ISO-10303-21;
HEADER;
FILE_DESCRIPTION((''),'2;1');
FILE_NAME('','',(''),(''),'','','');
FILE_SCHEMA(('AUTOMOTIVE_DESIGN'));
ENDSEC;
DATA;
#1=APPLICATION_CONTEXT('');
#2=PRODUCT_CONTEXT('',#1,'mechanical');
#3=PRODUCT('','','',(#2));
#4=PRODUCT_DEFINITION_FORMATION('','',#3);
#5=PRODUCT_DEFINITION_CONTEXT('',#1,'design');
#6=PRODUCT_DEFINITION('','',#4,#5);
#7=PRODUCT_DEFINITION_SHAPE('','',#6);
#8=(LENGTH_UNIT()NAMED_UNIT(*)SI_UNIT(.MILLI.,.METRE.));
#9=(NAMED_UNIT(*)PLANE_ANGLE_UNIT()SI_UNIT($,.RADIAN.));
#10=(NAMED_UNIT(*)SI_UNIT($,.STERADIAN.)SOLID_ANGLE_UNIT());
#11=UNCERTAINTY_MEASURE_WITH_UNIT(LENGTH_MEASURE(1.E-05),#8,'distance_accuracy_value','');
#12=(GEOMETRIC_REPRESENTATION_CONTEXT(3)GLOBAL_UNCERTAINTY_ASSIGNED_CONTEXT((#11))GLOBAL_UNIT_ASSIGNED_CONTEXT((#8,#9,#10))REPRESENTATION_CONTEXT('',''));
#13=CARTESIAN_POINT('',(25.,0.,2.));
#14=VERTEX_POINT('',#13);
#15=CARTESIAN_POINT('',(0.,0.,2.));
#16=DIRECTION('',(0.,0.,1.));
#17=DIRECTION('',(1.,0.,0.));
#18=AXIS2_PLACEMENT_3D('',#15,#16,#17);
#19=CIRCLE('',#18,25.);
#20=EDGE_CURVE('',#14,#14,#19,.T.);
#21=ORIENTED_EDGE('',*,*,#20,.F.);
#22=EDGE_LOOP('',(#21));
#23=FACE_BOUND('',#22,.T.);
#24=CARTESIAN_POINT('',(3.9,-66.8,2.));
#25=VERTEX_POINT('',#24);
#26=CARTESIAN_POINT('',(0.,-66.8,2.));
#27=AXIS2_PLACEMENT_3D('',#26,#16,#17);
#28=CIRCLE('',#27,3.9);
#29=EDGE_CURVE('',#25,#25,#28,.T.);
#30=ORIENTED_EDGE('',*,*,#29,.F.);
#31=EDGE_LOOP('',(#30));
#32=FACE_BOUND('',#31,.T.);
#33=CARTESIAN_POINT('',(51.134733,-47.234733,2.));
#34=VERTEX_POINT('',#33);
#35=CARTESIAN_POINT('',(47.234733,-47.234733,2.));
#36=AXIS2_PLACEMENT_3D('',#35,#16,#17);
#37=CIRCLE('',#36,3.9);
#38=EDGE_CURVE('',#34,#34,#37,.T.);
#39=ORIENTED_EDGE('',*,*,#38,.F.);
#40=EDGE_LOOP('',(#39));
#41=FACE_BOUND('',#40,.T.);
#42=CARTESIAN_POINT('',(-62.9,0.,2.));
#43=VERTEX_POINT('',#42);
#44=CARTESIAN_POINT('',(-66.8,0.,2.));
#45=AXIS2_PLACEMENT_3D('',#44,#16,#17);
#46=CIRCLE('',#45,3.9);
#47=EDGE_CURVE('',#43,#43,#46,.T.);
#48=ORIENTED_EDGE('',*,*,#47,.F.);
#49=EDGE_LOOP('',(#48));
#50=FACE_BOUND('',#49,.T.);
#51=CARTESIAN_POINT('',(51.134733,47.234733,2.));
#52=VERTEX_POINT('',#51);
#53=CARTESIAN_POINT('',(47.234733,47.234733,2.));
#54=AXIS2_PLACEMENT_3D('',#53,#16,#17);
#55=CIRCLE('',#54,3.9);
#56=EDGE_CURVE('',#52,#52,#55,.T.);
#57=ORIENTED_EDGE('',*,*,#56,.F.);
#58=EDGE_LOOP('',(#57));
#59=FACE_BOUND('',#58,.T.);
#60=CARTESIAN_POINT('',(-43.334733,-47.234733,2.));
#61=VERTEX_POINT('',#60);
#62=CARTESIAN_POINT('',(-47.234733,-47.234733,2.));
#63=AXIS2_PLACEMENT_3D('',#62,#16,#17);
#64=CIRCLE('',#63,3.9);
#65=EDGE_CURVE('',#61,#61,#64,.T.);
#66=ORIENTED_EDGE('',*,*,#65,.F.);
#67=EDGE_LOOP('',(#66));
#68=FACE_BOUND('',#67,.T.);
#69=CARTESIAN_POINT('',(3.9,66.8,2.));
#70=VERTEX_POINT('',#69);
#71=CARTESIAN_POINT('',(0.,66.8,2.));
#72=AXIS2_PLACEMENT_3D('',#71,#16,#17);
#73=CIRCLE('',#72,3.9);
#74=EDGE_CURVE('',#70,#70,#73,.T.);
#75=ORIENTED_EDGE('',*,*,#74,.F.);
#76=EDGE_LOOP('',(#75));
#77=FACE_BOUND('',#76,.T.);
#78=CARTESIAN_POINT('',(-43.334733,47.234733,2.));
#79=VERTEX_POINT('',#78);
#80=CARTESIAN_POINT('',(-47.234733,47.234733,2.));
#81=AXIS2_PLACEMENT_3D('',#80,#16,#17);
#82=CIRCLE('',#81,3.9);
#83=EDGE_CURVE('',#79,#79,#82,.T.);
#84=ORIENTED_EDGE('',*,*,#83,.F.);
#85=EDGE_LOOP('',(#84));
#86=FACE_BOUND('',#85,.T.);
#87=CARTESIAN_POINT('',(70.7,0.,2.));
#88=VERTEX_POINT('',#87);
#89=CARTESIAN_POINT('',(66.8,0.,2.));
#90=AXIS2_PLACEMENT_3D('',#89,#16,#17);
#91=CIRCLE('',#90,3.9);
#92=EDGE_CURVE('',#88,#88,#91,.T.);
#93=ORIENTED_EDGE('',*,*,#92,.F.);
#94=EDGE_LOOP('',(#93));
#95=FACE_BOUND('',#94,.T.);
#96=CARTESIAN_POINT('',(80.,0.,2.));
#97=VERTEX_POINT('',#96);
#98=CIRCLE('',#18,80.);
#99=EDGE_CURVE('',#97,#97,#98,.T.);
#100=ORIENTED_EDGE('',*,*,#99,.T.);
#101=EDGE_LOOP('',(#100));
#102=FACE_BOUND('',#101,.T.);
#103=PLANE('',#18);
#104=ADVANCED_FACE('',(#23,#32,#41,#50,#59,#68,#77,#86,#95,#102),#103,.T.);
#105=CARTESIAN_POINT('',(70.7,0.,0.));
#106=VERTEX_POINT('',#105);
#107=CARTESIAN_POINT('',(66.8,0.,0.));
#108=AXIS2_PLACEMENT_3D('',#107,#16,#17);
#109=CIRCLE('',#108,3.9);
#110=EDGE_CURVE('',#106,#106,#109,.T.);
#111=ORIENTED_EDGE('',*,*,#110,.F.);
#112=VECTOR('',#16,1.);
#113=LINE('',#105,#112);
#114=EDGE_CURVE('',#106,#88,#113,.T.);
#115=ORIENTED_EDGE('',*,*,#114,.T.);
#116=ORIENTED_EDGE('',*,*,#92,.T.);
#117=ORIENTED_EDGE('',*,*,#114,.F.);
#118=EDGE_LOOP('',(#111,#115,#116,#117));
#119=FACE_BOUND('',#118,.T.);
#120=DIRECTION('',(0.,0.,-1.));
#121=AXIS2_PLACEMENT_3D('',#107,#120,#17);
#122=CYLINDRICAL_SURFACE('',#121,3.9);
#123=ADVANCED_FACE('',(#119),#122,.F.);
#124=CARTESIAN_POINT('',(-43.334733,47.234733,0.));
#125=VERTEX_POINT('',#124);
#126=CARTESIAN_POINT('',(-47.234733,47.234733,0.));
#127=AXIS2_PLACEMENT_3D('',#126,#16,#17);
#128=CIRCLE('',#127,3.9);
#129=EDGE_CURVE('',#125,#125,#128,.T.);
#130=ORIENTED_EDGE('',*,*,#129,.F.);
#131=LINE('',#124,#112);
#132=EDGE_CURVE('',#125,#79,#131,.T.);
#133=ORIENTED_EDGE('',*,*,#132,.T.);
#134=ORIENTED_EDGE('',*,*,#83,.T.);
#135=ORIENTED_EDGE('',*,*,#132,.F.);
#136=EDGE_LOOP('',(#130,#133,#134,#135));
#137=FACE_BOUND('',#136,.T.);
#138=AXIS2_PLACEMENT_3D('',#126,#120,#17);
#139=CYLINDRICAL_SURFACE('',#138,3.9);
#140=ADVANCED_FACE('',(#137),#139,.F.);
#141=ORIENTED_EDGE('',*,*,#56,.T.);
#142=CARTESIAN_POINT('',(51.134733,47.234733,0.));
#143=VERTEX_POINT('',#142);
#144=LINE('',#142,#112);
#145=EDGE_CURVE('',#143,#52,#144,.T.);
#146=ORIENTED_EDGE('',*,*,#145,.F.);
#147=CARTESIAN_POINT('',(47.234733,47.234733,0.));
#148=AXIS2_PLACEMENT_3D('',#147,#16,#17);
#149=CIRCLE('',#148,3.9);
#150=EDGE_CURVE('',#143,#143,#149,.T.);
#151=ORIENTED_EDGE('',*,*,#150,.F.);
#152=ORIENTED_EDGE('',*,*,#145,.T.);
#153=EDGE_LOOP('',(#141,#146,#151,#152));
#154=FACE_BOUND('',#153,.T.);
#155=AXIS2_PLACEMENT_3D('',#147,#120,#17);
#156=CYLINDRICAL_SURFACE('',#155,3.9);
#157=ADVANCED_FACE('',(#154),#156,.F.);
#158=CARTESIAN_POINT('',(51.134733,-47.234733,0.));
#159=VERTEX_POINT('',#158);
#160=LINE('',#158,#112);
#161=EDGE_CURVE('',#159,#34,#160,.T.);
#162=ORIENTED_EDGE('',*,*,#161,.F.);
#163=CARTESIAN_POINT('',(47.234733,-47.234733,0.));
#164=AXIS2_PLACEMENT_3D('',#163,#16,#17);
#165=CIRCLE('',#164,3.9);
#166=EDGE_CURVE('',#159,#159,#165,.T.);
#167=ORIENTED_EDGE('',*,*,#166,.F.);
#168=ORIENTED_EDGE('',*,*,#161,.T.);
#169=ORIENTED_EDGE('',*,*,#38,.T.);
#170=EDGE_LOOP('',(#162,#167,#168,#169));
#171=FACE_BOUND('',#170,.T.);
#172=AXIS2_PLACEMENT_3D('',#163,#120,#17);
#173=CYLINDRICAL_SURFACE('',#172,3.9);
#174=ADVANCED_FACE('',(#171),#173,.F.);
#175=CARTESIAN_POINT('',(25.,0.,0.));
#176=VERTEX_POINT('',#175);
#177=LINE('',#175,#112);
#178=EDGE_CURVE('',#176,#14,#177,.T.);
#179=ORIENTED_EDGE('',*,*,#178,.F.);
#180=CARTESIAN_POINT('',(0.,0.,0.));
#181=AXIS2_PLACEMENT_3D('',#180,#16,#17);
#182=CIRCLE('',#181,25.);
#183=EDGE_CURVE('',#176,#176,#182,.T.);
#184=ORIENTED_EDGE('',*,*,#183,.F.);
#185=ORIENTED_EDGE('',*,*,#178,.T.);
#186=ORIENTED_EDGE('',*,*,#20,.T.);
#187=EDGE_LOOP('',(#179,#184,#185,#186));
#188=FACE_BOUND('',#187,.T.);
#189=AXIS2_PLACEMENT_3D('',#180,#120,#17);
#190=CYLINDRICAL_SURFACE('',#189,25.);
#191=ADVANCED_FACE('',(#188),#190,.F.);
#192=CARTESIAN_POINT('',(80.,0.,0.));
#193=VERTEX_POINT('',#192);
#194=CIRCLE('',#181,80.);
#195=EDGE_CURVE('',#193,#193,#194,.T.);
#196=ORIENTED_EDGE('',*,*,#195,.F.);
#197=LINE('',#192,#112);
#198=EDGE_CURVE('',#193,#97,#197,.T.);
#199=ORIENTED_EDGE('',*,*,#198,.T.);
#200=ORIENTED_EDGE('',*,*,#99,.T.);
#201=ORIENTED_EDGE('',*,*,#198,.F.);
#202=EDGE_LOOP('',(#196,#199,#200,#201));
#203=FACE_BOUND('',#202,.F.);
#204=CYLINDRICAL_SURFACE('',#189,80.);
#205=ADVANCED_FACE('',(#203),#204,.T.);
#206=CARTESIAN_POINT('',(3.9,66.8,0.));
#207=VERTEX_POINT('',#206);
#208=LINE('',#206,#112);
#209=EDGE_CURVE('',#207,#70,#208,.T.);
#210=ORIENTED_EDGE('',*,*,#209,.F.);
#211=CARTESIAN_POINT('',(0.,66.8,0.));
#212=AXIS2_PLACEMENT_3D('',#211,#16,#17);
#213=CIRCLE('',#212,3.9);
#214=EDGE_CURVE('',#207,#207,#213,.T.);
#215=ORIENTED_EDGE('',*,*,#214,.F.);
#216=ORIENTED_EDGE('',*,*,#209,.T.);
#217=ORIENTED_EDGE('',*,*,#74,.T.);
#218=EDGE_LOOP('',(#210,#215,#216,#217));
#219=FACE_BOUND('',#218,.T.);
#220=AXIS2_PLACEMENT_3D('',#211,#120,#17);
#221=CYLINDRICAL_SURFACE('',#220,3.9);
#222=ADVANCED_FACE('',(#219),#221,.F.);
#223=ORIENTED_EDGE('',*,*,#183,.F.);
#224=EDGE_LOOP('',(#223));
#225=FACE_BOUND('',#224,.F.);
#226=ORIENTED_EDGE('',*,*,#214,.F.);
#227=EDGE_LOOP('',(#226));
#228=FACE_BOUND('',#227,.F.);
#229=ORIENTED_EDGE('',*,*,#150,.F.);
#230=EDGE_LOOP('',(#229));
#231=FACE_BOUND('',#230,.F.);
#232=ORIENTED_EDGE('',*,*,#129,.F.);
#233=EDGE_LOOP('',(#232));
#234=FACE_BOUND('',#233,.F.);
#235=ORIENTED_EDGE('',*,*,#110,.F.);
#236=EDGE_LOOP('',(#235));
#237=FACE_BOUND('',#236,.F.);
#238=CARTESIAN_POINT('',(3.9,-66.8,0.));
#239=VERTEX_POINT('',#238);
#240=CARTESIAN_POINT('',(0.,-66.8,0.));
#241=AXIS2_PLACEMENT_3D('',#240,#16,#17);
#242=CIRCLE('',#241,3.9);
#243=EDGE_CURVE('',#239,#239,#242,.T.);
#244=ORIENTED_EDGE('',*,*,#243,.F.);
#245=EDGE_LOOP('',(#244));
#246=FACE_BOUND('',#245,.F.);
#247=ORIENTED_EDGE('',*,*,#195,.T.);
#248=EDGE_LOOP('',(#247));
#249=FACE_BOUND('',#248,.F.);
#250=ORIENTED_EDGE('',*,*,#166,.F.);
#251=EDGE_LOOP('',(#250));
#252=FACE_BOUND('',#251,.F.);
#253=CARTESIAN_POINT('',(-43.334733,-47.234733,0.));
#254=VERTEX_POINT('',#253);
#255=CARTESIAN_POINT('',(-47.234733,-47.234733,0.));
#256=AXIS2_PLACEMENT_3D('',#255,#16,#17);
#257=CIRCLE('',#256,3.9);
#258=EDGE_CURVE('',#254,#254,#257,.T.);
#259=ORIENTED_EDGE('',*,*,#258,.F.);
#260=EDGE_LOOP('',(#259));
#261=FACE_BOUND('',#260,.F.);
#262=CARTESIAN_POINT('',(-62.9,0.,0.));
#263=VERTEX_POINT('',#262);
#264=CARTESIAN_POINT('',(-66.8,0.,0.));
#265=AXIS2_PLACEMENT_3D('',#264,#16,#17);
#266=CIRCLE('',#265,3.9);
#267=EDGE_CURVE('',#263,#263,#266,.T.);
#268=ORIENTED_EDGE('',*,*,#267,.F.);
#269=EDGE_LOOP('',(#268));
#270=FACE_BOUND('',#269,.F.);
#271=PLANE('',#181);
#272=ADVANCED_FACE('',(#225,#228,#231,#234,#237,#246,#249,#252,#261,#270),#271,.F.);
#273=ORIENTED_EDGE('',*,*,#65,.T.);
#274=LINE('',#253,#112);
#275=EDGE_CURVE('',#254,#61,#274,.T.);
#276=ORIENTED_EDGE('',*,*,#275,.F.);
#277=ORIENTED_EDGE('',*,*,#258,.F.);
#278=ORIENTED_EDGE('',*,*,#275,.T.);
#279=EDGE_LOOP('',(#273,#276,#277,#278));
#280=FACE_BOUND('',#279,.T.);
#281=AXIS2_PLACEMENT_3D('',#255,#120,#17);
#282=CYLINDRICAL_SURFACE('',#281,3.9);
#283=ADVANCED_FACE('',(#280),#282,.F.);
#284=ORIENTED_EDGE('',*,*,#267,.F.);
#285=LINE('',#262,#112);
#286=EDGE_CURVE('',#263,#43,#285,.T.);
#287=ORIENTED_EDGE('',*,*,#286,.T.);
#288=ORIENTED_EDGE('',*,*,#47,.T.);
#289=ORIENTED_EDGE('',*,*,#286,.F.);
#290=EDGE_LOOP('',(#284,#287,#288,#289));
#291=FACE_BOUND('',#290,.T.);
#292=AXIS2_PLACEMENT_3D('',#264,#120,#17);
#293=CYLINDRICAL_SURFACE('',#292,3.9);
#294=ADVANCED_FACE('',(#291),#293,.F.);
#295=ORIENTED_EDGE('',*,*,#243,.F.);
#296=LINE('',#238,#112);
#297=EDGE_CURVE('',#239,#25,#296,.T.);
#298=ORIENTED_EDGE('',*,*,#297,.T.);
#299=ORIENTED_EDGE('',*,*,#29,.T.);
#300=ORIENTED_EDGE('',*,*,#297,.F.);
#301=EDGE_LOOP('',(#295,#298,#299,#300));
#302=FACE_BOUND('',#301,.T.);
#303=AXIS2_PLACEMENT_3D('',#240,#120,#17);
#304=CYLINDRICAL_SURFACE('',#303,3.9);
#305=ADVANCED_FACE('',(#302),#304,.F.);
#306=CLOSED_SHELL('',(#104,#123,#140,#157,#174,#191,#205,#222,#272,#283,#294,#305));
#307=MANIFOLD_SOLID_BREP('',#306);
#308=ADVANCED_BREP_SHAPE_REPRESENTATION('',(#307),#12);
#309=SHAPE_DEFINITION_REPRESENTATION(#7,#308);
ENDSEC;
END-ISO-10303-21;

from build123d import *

# Parameters (mm, degrees)
F0_R     = 80
F0_R_2   = 3.9
F0_R_3   = 25
F1_DEPTH = 2


with BuildPart() as f1:
    # F0 (on Top) → F1 (new body)
    with BuildSketch(Plane.XY):
        Circle(F0_R)
        with Locations((-47.234733, -47.234733)):
            Circle(F0_R_2, mode=Mode.SUBTRACT)
        with Locations((0, -66.8)):
            Circle(F0_R_2, mode=Mode.SUBTRACT)
        with Locations((47.234733, -47.234733)):
            Circle(F0_R_2, mode=Mode.SUBTRACT)
        with Locations((-66.8, 0)):
            Circle(F0_R_2, mode=Mode.SUBTRACT)
        with Locations((-47.234733, 47.234733)):
            Circle(F0_R_2, mode=Mode.SUBTRACT)
        Circle(F0_R_3, mode=Mode.SUBTRACT)
        with Locations((66.8, 0)):
            Circle(F0_R_2, mode=Mode.SUBTRACT)
        with Locations((0, 66.8)):
            Circle(F0_R_2, mode=Mode.SUBTRACT)
        with Locations((47.234733, 47.234733)):
            Circle(F0_R_2, mode=Mode.SUBTRACT)
    extrude(amount=F1_DEPTH)


solid = f1.part
